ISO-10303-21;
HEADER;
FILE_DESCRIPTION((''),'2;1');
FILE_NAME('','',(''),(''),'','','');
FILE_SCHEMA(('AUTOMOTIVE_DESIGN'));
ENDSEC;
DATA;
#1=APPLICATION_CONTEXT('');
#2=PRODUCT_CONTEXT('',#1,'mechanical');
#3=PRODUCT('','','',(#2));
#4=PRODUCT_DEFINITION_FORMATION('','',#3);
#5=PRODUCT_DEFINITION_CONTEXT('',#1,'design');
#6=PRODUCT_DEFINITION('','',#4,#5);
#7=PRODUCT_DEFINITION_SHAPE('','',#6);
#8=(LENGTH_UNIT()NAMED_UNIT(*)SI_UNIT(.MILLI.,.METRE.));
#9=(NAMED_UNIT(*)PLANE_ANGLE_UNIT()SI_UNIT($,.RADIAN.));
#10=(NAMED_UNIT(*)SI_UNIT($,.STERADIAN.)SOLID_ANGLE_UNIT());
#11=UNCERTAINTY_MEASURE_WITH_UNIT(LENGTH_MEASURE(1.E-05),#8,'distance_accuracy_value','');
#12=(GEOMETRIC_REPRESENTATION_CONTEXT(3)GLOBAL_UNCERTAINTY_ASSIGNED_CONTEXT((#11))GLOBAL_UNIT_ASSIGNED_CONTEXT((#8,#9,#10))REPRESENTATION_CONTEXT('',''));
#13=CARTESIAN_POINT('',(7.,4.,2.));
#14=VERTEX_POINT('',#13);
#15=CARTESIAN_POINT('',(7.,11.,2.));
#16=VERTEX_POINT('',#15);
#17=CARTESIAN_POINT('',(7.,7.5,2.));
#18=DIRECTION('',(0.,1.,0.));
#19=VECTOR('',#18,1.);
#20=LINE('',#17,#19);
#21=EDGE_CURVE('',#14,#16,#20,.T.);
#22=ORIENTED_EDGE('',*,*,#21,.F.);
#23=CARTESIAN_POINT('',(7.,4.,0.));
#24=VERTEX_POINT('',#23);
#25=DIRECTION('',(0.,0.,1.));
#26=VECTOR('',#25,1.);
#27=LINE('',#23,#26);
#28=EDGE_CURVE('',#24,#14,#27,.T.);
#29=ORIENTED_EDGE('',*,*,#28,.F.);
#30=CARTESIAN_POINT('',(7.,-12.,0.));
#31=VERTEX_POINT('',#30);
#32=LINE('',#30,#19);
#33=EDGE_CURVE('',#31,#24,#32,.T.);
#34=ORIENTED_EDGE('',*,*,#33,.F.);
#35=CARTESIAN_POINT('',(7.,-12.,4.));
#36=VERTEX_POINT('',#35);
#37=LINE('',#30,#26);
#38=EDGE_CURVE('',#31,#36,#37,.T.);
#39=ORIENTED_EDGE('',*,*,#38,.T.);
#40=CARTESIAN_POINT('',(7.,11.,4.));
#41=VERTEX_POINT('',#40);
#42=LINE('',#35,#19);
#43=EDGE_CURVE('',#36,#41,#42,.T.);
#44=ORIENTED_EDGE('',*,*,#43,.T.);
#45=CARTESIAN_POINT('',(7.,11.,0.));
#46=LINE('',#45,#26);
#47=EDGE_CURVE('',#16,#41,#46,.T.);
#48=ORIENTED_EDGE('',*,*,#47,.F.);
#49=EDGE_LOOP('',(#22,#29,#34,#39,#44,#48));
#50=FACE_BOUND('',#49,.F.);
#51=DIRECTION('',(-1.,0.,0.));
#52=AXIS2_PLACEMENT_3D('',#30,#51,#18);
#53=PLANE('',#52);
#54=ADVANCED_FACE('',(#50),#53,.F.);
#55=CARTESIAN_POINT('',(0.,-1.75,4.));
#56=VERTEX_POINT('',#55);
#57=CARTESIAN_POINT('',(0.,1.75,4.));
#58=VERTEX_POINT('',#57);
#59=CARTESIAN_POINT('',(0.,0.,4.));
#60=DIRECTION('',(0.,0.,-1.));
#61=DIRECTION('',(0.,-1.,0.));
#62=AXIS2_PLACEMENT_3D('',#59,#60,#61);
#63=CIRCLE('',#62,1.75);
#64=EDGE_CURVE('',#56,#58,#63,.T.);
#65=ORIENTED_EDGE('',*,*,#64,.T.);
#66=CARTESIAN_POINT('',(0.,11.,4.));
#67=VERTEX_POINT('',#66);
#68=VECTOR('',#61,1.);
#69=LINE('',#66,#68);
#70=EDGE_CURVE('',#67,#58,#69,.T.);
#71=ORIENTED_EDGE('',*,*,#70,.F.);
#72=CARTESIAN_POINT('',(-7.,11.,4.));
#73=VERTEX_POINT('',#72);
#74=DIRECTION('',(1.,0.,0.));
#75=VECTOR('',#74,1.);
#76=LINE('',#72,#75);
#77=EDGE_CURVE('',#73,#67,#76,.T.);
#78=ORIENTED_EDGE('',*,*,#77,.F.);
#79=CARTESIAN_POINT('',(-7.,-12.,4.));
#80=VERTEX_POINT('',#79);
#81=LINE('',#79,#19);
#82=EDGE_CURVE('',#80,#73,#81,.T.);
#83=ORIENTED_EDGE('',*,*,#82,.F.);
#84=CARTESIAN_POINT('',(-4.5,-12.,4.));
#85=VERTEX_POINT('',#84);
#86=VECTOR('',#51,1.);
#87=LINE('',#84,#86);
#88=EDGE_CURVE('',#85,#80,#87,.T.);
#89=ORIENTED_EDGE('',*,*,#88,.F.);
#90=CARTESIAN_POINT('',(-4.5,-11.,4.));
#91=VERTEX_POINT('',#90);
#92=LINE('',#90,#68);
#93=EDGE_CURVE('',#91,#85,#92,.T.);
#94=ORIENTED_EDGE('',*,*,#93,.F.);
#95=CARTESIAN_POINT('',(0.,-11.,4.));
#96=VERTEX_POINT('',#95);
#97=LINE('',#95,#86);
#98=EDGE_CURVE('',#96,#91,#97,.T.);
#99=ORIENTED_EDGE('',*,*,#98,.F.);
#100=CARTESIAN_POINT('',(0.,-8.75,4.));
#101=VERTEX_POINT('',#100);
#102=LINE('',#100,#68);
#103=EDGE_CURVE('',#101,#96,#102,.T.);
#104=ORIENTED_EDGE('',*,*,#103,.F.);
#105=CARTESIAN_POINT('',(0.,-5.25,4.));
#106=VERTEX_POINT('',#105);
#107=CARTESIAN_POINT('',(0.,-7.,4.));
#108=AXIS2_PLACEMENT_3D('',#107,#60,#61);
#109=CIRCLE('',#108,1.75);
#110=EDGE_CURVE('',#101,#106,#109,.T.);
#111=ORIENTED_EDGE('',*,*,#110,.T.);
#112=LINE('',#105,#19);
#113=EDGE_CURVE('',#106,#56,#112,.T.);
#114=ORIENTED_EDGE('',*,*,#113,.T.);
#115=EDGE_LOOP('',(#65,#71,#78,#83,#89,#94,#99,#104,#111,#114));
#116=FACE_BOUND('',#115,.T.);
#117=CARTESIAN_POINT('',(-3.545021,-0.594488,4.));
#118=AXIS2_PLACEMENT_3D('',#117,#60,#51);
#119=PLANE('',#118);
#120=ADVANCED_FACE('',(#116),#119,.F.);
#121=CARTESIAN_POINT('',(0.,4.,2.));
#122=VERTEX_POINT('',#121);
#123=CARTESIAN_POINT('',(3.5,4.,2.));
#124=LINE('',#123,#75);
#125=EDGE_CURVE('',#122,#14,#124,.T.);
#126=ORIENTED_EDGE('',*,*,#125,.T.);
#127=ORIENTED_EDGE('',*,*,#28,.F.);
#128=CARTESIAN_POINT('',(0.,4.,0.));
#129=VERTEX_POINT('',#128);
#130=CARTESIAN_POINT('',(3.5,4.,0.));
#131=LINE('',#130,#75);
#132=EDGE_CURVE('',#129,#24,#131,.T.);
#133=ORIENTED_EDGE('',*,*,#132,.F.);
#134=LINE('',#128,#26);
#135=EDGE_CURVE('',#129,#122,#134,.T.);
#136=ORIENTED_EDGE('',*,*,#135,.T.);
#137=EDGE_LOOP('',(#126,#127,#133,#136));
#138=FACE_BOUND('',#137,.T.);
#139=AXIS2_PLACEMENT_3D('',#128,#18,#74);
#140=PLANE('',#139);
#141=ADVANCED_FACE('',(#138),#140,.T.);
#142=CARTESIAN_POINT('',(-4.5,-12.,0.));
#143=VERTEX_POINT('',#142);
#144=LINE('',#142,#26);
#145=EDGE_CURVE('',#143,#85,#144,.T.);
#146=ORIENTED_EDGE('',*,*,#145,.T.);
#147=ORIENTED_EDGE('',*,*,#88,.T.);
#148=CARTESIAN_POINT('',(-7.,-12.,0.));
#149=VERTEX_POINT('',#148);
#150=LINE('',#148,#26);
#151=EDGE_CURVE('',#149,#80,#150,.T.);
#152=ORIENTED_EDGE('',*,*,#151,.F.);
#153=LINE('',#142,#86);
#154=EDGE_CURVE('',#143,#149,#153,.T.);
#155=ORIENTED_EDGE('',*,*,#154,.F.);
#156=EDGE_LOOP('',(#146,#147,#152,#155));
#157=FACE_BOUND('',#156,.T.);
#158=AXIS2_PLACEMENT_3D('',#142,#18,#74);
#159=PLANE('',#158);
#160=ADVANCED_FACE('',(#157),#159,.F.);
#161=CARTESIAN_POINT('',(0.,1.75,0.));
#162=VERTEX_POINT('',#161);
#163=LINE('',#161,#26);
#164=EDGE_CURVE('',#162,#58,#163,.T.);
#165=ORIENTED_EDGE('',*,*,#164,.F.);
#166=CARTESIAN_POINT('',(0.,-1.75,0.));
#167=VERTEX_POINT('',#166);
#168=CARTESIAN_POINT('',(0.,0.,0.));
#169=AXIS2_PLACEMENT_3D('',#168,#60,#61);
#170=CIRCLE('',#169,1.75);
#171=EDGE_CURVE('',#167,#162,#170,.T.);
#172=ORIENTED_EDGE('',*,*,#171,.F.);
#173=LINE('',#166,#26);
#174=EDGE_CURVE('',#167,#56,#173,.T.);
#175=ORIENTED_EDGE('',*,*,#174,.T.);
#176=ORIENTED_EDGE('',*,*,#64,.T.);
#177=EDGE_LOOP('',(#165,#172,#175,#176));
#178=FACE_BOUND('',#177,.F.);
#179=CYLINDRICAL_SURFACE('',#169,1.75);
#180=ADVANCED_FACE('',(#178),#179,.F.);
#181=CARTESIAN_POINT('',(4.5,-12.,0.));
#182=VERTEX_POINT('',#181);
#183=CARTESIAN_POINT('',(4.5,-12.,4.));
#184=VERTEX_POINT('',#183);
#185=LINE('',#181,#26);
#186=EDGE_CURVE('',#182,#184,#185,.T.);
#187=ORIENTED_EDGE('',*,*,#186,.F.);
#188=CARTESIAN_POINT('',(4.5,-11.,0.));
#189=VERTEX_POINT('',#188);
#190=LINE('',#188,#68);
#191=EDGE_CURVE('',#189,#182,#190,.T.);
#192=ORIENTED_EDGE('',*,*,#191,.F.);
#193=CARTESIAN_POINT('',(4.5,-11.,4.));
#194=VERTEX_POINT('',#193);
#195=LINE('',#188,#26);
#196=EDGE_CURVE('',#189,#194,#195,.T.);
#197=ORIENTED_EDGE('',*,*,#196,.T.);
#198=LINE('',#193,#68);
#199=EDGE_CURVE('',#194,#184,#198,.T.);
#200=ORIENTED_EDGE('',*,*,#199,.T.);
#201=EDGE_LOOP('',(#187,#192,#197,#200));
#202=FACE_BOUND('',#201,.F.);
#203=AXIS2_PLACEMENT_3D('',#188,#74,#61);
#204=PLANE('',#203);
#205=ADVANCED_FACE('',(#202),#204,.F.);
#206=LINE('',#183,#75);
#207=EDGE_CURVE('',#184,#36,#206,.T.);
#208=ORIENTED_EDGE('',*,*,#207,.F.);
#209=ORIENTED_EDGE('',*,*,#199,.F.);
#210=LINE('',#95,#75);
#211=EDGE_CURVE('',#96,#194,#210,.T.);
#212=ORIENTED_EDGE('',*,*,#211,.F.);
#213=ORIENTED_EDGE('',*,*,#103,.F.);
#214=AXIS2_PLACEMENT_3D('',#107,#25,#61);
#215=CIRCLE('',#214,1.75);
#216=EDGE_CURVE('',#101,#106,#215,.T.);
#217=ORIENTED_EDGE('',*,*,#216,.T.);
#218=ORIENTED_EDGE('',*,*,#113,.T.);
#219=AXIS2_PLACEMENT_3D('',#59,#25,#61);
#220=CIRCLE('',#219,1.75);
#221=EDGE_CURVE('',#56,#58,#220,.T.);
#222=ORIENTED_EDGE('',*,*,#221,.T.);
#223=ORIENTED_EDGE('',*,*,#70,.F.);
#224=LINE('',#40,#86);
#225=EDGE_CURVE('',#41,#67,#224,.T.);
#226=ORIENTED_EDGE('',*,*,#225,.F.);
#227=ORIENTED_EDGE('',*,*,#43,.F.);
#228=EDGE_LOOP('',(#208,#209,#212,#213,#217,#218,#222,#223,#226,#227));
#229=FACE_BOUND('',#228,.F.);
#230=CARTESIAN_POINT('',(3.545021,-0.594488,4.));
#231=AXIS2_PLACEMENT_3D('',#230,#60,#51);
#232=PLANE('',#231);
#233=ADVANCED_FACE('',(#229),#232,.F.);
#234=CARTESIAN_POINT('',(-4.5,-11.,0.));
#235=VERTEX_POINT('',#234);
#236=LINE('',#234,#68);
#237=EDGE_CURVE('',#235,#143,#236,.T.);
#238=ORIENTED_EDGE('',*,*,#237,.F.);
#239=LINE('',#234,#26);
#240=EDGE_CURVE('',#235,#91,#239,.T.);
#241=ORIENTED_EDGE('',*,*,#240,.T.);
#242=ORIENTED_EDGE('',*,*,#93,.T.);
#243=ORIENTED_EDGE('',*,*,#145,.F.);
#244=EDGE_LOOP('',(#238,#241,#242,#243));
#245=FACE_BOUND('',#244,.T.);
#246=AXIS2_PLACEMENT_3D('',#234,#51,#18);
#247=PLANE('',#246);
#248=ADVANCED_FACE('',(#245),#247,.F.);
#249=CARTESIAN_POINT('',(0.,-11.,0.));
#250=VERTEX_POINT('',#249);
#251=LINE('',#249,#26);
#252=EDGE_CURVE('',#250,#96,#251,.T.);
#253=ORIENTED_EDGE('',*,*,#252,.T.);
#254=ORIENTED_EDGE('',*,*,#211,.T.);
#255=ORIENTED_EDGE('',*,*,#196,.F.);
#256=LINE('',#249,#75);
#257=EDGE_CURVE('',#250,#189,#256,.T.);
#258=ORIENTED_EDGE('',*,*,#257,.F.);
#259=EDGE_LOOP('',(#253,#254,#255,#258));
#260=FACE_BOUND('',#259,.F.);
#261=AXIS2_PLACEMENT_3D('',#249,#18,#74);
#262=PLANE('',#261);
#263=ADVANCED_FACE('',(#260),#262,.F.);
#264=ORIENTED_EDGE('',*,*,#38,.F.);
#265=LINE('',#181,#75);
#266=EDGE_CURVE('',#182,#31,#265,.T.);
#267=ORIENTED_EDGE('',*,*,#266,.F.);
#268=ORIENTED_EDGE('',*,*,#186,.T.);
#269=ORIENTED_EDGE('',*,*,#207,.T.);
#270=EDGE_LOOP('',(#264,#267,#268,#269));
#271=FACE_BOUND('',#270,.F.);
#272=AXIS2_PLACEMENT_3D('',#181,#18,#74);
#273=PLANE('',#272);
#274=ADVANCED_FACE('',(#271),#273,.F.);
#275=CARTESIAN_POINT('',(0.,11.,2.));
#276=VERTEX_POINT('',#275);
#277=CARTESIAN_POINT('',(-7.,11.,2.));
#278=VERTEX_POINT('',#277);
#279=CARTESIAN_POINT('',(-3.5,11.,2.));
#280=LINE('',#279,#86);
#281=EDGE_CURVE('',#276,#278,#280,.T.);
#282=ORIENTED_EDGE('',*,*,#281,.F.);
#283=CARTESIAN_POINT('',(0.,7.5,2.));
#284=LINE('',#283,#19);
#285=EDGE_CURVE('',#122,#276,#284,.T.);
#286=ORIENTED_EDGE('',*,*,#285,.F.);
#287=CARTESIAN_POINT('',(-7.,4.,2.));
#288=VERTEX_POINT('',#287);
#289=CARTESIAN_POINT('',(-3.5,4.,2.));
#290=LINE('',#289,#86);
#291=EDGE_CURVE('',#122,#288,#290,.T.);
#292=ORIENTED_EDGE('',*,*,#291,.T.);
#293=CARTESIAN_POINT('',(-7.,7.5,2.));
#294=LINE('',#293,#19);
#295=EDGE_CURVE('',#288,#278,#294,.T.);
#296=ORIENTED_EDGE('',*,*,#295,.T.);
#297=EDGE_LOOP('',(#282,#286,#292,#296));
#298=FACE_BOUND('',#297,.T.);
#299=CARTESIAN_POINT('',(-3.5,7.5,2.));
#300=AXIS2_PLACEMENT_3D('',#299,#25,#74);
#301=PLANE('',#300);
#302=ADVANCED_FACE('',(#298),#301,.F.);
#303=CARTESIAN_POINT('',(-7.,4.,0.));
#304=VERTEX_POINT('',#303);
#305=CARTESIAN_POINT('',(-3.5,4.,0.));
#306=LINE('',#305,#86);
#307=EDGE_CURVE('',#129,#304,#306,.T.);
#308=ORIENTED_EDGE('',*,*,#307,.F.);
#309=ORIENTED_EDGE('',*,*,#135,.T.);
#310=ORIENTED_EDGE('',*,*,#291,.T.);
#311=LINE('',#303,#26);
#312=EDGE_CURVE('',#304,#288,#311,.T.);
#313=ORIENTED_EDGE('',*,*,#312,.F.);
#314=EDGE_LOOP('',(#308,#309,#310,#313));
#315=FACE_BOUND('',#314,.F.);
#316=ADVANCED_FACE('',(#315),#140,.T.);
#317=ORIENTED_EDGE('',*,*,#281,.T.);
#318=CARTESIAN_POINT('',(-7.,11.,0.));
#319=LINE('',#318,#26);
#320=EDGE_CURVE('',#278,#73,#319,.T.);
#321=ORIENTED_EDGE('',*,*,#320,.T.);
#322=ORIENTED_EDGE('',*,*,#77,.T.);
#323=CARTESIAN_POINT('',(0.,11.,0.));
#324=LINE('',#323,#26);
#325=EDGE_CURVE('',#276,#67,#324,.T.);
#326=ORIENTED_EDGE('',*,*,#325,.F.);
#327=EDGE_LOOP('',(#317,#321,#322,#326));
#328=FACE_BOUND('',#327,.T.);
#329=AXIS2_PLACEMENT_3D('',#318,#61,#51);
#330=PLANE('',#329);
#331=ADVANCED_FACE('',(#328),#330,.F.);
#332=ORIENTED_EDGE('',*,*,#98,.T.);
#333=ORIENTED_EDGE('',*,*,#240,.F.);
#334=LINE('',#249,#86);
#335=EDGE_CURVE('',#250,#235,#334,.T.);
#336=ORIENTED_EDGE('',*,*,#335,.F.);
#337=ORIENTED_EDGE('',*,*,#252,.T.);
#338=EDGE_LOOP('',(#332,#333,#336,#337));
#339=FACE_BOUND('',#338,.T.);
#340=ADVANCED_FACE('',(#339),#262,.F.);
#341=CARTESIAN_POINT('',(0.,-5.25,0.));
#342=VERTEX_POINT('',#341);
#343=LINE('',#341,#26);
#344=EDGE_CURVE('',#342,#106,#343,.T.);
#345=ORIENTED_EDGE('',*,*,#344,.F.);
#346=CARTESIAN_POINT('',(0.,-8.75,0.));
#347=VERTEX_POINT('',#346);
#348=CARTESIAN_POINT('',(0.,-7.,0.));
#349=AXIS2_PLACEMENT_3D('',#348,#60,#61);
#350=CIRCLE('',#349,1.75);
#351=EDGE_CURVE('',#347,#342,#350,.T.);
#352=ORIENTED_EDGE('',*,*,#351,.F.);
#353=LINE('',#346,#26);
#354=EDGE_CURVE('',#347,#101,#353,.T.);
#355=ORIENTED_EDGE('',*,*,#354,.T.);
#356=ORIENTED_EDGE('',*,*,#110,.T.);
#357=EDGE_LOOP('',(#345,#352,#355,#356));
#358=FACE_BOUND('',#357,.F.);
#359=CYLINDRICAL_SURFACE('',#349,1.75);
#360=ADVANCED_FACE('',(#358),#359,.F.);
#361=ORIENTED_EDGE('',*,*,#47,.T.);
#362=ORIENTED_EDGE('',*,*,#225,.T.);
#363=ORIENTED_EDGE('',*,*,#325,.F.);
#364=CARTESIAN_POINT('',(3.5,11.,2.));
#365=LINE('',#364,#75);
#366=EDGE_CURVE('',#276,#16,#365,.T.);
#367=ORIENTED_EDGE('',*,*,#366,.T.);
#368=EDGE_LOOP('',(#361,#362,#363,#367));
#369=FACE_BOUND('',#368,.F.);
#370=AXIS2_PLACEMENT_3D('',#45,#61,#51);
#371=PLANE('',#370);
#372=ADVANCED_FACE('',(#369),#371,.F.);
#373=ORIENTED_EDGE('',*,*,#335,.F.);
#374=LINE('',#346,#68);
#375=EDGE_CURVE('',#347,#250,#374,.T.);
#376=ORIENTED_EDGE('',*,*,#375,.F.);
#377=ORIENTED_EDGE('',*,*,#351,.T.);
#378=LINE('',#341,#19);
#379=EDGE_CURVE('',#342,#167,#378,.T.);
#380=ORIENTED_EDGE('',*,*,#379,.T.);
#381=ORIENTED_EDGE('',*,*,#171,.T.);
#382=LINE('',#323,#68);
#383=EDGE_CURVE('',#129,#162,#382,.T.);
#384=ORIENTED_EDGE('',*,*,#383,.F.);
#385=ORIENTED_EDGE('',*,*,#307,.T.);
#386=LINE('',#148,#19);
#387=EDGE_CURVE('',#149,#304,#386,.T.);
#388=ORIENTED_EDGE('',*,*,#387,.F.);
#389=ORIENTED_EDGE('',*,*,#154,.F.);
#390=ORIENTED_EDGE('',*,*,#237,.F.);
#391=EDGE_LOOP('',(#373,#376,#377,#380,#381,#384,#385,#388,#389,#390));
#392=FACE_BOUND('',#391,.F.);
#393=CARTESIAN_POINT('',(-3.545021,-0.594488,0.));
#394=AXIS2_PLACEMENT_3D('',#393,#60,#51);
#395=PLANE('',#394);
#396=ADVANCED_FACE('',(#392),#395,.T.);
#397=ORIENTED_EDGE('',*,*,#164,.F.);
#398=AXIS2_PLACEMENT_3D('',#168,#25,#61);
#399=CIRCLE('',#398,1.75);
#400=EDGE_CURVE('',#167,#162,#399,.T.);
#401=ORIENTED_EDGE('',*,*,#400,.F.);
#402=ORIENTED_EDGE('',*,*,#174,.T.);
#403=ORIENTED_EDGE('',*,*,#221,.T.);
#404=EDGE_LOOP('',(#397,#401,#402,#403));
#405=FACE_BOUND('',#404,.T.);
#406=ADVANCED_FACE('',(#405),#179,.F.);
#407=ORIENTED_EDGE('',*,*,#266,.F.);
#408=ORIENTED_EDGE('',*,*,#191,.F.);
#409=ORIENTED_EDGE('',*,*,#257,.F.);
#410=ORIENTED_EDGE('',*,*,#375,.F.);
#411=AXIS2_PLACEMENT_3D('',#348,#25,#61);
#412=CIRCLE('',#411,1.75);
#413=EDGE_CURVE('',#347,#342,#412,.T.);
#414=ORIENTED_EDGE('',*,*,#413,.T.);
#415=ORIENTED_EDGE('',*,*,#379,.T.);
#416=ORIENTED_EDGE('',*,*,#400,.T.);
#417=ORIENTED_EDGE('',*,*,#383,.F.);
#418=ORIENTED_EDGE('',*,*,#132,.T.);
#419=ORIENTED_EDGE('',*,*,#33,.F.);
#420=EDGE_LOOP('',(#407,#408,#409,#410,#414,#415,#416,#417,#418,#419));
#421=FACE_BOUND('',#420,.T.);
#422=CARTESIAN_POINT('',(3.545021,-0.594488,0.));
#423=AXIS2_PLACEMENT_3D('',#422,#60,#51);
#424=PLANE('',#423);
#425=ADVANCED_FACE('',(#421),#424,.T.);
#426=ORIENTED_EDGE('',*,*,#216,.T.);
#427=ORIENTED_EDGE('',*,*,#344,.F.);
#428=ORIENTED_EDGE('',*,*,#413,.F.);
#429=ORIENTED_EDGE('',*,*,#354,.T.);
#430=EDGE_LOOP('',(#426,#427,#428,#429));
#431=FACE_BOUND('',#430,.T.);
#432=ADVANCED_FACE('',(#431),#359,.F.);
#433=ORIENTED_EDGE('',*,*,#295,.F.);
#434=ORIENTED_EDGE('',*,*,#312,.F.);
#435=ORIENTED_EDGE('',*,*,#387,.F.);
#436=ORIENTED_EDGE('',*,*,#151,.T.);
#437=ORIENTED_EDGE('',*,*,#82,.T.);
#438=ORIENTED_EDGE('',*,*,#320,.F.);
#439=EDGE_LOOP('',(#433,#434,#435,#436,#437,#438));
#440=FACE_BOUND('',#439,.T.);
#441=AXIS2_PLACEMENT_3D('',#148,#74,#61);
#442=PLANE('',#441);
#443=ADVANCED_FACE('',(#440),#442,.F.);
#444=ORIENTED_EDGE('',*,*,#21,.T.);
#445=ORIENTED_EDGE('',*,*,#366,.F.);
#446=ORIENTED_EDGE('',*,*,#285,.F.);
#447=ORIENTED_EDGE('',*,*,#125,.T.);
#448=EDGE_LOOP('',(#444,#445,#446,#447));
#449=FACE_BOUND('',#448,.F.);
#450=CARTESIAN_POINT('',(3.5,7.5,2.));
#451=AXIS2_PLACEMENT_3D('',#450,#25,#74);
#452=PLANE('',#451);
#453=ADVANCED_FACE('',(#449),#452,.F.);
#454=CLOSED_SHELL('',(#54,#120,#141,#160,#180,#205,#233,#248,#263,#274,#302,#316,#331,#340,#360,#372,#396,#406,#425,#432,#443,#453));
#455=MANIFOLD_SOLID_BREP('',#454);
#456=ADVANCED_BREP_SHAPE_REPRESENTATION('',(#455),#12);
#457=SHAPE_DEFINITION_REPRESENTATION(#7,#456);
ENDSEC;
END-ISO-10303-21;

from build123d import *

# Parameters (mm, degrees)
PAD_DEPTH    = 4
SKETCH001_W  = 7
SKETCH001_H  = 7
POCKET_DEPTH = 2


with BuildPart() as part:
    # Sketch → Pad (new body)
    with BuildSketch(Plane.XY):
        with BuildLine():
            ThreePointArc((0, -1.75), (1.75, 0), (0, 1.75))
            Line((0, 11), (0, 1.75))
            Line((7, 11), (0, 11))
            Line((7, -12), (7, 11))
            Line((4.5, -12), (7, -12))
            Line((4.5, -11), (4.5, -12))
            Line((0, -11), (4.5, -11))
            Line((0, -8.75), (0, -11))
            ThreePointArc((0, -8.75), (1.75, -7), (0, -5.25))
            Line((0, -5.25), (0, -1.75))
        make_face()
    pad = extrude(amount=PAD_DEPTH)

    # Sketch001 → Pocket (cut)
    with BuildSketch(Plane.XY):
        with Locations((3.5, 7.5)):
            Rectangle(SKETCH001_W, SKETCH001_H)
    pocket = extrude(amount=POCKET_DEPTH, mode=Mode.SUBTRACT)

    # Mirrored: Pad, Pocket across Sketch V_Axis
    add(pad.mirror(Plane(origin=(0, 0, 0), x_dir=(0, 0, 1), z_dir=(1, 0, 0))))
    add(pocket.mirror(Plane(origin=(0, 0, 0), x_dir=(0, 0, 1), z_dir=(1, 0, 0))), mode=Mode.SUBTRACT)


solid = part.part
